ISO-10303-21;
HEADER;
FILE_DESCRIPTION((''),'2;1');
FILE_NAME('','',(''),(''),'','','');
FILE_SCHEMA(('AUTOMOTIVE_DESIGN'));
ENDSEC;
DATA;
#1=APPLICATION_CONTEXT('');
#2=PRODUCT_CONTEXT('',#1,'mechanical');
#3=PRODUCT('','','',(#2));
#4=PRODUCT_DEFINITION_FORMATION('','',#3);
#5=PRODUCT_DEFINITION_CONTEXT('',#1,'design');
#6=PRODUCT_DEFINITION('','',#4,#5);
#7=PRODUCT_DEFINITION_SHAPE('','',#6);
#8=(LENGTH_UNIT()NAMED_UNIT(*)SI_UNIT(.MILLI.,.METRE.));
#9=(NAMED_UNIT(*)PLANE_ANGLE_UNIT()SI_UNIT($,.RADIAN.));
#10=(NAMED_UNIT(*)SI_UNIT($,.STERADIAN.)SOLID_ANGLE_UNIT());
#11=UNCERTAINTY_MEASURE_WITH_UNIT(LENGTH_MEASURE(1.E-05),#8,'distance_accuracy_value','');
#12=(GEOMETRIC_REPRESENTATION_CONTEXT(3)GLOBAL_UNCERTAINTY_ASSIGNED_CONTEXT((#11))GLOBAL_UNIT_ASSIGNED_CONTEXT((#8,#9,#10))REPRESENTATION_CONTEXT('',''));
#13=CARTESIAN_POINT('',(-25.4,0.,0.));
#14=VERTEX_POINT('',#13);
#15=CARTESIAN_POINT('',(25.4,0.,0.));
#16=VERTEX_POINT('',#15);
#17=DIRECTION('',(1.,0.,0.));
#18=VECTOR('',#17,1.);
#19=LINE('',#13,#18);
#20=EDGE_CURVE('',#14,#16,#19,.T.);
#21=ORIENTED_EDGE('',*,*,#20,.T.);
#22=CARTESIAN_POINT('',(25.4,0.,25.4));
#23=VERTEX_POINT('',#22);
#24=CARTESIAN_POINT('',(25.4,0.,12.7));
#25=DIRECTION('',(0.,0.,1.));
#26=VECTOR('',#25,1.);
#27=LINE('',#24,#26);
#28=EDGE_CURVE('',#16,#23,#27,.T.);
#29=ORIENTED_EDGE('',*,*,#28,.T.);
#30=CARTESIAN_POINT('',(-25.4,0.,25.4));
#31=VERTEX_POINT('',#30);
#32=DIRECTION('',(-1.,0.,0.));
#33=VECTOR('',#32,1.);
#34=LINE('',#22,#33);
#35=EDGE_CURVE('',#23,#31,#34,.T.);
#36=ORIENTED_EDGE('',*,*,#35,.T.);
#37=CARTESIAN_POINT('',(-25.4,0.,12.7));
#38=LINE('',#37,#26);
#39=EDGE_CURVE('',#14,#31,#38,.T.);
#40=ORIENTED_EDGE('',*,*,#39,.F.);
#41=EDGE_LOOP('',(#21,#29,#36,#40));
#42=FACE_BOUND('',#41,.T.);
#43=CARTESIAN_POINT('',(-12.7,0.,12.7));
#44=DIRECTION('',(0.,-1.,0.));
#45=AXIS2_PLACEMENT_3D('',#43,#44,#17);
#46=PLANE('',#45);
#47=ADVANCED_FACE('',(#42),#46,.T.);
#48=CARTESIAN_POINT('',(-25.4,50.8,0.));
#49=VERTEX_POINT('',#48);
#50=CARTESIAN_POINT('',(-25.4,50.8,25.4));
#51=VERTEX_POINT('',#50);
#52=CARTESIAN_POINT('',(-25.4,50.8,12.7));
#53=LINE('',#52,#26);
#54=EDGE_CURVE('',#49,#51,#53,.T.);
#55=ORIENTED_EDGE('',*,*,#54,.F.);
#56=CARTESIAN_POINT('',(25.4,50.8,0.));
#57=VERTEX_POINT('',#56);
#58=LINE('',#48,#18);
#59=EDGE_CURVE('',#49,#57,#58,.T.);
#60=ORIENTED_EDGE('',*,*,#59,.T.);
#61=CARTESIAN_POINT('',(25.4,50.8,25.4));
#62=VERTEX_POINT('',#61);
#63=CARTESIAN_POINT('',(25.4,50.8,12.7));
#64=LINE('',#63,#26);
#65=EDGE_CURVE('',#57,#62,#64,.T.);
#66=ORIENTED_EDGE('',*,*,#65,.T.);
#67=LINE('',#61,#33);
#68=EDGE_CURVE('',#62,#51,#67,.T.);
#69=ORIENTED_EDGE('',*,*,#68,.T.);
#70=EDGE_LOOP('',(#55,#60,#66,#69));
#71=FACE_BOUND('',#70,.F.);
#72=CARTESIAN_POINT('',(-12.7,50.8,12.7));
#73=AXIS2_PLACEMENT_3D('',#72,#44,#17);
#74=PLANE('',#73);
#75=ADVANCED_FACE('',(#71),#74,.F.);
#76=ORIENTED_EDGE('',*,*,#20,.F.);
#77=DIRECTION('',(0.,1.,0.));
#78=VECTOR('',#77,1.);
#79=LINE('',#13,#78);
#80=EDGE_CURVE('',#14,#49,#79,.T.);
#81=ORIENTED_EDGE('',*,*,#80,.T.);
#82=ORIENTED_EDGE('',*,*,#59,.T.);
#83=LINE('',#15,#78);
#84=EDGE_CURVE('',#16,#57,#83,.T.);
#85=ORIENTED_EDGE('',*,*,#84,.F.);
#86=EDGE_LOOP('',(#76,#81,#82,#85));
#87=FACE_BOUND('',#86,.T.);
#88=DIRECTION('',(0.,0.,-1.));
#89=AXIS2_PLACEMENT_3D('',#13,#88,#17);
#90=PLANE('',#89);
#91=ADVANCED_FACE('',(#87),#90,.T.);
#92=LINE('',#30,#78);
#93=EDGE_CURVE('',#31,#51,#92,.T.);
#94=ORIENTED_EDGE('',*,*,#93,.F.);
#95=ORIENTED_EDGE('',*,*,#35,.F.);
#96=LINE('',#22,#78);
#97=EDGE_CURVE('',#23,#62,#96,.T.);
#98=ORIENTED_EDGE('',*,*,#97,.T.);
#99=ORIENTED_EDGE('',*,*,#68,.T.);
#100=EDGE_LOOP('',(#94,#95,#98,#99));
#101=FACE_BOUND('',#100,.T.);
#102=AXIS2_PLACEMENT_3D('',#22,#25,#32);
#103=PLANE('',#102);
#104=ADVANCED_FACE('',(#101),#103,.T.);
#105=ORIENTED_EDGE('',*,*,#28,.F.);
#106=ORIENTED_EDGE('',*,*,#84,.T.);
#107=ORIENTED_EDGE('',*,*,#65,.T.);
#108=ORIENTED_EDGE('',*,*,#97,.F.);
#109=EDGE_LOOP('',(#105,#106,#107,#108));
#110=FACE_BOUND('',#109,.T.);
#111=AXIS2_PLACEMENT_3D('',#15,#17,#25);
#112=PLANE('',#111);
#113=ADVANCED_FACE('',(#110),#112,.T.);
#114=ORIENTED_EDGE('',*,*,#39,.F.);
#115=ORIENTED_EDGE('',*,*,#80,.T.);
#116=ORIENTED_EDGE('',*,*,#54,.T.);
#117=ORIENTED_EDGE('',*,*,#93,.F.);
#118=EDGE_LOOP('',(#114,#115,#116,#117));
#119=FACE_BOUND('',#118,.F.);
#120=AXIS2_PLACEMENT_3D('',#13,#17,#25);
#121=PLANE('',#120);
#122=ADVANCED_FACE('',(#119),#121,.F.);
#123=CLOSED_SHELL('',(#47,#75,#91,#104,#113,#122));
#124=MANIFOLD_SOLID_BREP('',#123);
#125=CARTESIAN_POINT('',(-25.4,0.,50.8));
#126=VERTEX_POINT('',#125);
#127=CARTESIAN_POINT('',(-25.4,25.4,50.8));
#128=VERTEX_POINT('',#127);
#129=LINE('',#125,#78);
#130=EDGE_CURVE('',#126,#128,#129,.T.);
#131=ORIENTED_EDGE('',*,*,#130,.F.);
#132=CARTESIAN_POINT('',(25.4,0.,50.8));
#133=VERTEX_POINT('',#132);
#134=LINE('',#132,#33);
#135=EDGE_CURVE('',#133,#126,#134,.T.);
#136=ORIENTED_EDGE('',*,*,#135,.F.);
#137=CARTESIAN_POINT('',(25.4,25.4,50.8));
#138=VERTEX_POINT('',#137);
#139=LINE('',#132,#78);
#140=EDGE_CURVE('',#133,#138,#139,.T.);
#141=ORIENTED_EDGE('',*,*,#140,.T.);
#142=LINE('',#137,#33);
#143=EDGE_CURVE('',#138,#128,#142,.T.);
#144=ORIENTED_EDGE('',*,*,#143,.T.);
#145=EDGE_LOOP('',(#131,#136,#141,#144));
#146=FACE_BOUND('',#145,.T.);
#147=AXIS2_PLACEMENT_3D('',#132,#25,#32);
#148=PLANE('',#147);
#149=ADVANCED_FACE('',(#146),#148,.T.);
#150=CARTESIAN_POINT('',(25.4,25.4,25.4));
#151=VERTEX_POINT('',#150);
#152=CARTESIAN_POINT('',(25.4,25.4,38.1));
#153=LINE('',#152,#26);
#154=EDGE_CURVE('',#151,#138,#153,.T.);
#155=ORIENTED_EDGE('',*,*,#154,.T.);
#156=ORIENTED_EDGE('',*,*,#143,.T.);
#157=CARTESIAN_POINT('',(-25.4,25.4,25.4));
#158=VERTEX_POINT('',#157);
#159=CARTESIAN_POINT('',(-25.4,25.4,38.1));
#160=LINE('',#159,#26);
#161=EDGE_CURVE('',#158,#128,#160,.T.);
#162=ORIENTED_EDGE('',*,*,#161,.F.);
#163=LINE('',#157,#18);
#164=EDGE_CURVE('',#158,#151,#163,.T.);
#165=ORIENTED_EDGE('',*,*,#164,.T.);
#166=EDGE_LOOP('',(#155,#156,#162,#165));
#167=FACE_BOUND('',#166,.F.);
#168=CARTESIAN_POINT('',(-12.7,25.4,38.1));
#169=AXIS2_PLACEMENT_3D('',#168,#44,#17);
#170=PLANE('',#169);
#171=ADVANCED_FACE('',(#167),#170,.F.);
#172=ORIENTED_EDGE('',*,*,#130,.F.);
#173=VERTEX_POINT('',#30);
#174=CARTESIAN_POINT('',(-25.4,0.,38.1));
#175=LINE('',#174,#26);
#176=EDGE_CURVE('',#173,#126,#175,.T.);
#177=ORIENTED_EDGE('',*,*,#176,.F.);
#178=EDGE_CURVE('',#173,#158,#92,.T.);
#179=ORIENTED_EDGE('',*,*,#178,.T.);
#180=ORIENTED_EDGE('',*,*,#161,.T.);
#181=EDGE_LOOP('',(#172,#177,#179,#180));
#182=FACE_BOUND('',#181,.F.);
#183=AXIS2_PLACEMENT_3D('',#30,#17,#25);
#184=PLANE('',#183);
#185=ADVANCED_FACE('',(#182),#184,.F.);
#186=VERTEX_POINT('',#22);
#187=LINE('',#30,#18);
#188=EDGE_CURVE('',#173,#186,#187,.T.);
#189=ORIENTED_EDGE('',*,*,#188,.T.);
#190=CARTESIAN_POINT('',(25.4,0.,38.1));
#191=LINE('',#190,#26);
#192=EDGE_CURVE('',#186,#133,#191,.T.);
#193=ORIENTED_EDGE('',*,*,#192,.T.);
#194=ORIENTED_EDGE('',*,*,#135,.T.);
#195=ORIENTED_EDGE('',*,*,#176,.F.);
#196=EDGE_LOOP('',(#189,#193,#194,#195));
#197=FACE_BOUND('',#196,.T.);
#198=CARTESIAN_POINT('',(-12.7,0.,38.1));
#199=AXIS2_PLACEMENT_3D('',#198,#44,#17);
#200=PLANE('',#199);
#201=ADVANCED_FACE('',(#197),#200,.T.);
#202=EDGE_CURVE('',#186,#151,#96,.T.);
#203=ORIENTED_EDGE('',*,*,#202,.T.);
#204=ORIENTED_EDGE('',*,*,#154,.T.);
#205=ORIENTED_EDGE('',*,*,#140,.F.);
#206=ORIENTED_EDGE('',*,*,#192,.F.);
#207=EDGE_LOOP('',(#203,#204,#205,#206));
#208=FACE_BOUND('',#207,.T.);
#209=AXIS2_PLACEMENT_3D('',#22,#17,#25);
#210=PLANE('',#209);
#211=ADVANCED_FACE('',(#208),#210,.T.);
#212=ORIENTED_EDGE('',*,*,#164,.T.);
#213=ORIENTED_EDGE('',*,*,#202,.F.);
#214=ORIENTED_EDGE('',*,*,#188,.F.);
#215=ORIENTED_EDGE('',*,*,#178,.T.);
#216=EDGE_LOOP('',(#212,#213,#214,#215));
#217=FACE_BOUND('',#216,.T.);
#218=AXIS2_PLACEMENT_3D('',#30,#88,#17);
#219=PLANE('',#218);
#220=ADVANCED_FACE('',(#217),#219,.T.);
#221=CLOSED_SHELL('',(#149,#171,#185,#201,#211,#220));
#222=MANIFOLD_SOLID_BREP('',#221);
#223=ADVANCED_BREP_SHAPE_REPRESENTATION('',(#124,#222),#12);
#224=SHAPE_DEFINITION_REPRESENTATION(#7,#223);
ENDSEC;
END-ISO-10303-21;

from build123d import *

# Parameters (mm, degrees)
F0_W     = 25.4
F0_H     = 25.4
F1_DEPTH = 50.8
F2_DEPTH = 25.4


with BuildPart() as f1:
    # F0 (on Front) → F1 (new body)
    with BuildSketch(Plane.XZ):
        with Locations((-12.7, 12.7)):
            Rectangle(F0_W, F0_H)
        with Locations((12.7, 12.7)):
            Rectangle(F0_W, F0_H)
    extrude(amount=-F1_DEPTH)


with BuildPart() as f2:
    # F0 (on Front) → F2 (new body)
    with BuildSketch(Plane.XZ):
        with Locations((-12.7, 38.1)):
            Rectangle(F0_W, F0_H)
        with Locations((12.7, 38.1)):
            Rectangle(F0_W, F0_H)
    extrude(amount=-F2_DEPTH)


solid = Compound([f1.part, f2.part])
